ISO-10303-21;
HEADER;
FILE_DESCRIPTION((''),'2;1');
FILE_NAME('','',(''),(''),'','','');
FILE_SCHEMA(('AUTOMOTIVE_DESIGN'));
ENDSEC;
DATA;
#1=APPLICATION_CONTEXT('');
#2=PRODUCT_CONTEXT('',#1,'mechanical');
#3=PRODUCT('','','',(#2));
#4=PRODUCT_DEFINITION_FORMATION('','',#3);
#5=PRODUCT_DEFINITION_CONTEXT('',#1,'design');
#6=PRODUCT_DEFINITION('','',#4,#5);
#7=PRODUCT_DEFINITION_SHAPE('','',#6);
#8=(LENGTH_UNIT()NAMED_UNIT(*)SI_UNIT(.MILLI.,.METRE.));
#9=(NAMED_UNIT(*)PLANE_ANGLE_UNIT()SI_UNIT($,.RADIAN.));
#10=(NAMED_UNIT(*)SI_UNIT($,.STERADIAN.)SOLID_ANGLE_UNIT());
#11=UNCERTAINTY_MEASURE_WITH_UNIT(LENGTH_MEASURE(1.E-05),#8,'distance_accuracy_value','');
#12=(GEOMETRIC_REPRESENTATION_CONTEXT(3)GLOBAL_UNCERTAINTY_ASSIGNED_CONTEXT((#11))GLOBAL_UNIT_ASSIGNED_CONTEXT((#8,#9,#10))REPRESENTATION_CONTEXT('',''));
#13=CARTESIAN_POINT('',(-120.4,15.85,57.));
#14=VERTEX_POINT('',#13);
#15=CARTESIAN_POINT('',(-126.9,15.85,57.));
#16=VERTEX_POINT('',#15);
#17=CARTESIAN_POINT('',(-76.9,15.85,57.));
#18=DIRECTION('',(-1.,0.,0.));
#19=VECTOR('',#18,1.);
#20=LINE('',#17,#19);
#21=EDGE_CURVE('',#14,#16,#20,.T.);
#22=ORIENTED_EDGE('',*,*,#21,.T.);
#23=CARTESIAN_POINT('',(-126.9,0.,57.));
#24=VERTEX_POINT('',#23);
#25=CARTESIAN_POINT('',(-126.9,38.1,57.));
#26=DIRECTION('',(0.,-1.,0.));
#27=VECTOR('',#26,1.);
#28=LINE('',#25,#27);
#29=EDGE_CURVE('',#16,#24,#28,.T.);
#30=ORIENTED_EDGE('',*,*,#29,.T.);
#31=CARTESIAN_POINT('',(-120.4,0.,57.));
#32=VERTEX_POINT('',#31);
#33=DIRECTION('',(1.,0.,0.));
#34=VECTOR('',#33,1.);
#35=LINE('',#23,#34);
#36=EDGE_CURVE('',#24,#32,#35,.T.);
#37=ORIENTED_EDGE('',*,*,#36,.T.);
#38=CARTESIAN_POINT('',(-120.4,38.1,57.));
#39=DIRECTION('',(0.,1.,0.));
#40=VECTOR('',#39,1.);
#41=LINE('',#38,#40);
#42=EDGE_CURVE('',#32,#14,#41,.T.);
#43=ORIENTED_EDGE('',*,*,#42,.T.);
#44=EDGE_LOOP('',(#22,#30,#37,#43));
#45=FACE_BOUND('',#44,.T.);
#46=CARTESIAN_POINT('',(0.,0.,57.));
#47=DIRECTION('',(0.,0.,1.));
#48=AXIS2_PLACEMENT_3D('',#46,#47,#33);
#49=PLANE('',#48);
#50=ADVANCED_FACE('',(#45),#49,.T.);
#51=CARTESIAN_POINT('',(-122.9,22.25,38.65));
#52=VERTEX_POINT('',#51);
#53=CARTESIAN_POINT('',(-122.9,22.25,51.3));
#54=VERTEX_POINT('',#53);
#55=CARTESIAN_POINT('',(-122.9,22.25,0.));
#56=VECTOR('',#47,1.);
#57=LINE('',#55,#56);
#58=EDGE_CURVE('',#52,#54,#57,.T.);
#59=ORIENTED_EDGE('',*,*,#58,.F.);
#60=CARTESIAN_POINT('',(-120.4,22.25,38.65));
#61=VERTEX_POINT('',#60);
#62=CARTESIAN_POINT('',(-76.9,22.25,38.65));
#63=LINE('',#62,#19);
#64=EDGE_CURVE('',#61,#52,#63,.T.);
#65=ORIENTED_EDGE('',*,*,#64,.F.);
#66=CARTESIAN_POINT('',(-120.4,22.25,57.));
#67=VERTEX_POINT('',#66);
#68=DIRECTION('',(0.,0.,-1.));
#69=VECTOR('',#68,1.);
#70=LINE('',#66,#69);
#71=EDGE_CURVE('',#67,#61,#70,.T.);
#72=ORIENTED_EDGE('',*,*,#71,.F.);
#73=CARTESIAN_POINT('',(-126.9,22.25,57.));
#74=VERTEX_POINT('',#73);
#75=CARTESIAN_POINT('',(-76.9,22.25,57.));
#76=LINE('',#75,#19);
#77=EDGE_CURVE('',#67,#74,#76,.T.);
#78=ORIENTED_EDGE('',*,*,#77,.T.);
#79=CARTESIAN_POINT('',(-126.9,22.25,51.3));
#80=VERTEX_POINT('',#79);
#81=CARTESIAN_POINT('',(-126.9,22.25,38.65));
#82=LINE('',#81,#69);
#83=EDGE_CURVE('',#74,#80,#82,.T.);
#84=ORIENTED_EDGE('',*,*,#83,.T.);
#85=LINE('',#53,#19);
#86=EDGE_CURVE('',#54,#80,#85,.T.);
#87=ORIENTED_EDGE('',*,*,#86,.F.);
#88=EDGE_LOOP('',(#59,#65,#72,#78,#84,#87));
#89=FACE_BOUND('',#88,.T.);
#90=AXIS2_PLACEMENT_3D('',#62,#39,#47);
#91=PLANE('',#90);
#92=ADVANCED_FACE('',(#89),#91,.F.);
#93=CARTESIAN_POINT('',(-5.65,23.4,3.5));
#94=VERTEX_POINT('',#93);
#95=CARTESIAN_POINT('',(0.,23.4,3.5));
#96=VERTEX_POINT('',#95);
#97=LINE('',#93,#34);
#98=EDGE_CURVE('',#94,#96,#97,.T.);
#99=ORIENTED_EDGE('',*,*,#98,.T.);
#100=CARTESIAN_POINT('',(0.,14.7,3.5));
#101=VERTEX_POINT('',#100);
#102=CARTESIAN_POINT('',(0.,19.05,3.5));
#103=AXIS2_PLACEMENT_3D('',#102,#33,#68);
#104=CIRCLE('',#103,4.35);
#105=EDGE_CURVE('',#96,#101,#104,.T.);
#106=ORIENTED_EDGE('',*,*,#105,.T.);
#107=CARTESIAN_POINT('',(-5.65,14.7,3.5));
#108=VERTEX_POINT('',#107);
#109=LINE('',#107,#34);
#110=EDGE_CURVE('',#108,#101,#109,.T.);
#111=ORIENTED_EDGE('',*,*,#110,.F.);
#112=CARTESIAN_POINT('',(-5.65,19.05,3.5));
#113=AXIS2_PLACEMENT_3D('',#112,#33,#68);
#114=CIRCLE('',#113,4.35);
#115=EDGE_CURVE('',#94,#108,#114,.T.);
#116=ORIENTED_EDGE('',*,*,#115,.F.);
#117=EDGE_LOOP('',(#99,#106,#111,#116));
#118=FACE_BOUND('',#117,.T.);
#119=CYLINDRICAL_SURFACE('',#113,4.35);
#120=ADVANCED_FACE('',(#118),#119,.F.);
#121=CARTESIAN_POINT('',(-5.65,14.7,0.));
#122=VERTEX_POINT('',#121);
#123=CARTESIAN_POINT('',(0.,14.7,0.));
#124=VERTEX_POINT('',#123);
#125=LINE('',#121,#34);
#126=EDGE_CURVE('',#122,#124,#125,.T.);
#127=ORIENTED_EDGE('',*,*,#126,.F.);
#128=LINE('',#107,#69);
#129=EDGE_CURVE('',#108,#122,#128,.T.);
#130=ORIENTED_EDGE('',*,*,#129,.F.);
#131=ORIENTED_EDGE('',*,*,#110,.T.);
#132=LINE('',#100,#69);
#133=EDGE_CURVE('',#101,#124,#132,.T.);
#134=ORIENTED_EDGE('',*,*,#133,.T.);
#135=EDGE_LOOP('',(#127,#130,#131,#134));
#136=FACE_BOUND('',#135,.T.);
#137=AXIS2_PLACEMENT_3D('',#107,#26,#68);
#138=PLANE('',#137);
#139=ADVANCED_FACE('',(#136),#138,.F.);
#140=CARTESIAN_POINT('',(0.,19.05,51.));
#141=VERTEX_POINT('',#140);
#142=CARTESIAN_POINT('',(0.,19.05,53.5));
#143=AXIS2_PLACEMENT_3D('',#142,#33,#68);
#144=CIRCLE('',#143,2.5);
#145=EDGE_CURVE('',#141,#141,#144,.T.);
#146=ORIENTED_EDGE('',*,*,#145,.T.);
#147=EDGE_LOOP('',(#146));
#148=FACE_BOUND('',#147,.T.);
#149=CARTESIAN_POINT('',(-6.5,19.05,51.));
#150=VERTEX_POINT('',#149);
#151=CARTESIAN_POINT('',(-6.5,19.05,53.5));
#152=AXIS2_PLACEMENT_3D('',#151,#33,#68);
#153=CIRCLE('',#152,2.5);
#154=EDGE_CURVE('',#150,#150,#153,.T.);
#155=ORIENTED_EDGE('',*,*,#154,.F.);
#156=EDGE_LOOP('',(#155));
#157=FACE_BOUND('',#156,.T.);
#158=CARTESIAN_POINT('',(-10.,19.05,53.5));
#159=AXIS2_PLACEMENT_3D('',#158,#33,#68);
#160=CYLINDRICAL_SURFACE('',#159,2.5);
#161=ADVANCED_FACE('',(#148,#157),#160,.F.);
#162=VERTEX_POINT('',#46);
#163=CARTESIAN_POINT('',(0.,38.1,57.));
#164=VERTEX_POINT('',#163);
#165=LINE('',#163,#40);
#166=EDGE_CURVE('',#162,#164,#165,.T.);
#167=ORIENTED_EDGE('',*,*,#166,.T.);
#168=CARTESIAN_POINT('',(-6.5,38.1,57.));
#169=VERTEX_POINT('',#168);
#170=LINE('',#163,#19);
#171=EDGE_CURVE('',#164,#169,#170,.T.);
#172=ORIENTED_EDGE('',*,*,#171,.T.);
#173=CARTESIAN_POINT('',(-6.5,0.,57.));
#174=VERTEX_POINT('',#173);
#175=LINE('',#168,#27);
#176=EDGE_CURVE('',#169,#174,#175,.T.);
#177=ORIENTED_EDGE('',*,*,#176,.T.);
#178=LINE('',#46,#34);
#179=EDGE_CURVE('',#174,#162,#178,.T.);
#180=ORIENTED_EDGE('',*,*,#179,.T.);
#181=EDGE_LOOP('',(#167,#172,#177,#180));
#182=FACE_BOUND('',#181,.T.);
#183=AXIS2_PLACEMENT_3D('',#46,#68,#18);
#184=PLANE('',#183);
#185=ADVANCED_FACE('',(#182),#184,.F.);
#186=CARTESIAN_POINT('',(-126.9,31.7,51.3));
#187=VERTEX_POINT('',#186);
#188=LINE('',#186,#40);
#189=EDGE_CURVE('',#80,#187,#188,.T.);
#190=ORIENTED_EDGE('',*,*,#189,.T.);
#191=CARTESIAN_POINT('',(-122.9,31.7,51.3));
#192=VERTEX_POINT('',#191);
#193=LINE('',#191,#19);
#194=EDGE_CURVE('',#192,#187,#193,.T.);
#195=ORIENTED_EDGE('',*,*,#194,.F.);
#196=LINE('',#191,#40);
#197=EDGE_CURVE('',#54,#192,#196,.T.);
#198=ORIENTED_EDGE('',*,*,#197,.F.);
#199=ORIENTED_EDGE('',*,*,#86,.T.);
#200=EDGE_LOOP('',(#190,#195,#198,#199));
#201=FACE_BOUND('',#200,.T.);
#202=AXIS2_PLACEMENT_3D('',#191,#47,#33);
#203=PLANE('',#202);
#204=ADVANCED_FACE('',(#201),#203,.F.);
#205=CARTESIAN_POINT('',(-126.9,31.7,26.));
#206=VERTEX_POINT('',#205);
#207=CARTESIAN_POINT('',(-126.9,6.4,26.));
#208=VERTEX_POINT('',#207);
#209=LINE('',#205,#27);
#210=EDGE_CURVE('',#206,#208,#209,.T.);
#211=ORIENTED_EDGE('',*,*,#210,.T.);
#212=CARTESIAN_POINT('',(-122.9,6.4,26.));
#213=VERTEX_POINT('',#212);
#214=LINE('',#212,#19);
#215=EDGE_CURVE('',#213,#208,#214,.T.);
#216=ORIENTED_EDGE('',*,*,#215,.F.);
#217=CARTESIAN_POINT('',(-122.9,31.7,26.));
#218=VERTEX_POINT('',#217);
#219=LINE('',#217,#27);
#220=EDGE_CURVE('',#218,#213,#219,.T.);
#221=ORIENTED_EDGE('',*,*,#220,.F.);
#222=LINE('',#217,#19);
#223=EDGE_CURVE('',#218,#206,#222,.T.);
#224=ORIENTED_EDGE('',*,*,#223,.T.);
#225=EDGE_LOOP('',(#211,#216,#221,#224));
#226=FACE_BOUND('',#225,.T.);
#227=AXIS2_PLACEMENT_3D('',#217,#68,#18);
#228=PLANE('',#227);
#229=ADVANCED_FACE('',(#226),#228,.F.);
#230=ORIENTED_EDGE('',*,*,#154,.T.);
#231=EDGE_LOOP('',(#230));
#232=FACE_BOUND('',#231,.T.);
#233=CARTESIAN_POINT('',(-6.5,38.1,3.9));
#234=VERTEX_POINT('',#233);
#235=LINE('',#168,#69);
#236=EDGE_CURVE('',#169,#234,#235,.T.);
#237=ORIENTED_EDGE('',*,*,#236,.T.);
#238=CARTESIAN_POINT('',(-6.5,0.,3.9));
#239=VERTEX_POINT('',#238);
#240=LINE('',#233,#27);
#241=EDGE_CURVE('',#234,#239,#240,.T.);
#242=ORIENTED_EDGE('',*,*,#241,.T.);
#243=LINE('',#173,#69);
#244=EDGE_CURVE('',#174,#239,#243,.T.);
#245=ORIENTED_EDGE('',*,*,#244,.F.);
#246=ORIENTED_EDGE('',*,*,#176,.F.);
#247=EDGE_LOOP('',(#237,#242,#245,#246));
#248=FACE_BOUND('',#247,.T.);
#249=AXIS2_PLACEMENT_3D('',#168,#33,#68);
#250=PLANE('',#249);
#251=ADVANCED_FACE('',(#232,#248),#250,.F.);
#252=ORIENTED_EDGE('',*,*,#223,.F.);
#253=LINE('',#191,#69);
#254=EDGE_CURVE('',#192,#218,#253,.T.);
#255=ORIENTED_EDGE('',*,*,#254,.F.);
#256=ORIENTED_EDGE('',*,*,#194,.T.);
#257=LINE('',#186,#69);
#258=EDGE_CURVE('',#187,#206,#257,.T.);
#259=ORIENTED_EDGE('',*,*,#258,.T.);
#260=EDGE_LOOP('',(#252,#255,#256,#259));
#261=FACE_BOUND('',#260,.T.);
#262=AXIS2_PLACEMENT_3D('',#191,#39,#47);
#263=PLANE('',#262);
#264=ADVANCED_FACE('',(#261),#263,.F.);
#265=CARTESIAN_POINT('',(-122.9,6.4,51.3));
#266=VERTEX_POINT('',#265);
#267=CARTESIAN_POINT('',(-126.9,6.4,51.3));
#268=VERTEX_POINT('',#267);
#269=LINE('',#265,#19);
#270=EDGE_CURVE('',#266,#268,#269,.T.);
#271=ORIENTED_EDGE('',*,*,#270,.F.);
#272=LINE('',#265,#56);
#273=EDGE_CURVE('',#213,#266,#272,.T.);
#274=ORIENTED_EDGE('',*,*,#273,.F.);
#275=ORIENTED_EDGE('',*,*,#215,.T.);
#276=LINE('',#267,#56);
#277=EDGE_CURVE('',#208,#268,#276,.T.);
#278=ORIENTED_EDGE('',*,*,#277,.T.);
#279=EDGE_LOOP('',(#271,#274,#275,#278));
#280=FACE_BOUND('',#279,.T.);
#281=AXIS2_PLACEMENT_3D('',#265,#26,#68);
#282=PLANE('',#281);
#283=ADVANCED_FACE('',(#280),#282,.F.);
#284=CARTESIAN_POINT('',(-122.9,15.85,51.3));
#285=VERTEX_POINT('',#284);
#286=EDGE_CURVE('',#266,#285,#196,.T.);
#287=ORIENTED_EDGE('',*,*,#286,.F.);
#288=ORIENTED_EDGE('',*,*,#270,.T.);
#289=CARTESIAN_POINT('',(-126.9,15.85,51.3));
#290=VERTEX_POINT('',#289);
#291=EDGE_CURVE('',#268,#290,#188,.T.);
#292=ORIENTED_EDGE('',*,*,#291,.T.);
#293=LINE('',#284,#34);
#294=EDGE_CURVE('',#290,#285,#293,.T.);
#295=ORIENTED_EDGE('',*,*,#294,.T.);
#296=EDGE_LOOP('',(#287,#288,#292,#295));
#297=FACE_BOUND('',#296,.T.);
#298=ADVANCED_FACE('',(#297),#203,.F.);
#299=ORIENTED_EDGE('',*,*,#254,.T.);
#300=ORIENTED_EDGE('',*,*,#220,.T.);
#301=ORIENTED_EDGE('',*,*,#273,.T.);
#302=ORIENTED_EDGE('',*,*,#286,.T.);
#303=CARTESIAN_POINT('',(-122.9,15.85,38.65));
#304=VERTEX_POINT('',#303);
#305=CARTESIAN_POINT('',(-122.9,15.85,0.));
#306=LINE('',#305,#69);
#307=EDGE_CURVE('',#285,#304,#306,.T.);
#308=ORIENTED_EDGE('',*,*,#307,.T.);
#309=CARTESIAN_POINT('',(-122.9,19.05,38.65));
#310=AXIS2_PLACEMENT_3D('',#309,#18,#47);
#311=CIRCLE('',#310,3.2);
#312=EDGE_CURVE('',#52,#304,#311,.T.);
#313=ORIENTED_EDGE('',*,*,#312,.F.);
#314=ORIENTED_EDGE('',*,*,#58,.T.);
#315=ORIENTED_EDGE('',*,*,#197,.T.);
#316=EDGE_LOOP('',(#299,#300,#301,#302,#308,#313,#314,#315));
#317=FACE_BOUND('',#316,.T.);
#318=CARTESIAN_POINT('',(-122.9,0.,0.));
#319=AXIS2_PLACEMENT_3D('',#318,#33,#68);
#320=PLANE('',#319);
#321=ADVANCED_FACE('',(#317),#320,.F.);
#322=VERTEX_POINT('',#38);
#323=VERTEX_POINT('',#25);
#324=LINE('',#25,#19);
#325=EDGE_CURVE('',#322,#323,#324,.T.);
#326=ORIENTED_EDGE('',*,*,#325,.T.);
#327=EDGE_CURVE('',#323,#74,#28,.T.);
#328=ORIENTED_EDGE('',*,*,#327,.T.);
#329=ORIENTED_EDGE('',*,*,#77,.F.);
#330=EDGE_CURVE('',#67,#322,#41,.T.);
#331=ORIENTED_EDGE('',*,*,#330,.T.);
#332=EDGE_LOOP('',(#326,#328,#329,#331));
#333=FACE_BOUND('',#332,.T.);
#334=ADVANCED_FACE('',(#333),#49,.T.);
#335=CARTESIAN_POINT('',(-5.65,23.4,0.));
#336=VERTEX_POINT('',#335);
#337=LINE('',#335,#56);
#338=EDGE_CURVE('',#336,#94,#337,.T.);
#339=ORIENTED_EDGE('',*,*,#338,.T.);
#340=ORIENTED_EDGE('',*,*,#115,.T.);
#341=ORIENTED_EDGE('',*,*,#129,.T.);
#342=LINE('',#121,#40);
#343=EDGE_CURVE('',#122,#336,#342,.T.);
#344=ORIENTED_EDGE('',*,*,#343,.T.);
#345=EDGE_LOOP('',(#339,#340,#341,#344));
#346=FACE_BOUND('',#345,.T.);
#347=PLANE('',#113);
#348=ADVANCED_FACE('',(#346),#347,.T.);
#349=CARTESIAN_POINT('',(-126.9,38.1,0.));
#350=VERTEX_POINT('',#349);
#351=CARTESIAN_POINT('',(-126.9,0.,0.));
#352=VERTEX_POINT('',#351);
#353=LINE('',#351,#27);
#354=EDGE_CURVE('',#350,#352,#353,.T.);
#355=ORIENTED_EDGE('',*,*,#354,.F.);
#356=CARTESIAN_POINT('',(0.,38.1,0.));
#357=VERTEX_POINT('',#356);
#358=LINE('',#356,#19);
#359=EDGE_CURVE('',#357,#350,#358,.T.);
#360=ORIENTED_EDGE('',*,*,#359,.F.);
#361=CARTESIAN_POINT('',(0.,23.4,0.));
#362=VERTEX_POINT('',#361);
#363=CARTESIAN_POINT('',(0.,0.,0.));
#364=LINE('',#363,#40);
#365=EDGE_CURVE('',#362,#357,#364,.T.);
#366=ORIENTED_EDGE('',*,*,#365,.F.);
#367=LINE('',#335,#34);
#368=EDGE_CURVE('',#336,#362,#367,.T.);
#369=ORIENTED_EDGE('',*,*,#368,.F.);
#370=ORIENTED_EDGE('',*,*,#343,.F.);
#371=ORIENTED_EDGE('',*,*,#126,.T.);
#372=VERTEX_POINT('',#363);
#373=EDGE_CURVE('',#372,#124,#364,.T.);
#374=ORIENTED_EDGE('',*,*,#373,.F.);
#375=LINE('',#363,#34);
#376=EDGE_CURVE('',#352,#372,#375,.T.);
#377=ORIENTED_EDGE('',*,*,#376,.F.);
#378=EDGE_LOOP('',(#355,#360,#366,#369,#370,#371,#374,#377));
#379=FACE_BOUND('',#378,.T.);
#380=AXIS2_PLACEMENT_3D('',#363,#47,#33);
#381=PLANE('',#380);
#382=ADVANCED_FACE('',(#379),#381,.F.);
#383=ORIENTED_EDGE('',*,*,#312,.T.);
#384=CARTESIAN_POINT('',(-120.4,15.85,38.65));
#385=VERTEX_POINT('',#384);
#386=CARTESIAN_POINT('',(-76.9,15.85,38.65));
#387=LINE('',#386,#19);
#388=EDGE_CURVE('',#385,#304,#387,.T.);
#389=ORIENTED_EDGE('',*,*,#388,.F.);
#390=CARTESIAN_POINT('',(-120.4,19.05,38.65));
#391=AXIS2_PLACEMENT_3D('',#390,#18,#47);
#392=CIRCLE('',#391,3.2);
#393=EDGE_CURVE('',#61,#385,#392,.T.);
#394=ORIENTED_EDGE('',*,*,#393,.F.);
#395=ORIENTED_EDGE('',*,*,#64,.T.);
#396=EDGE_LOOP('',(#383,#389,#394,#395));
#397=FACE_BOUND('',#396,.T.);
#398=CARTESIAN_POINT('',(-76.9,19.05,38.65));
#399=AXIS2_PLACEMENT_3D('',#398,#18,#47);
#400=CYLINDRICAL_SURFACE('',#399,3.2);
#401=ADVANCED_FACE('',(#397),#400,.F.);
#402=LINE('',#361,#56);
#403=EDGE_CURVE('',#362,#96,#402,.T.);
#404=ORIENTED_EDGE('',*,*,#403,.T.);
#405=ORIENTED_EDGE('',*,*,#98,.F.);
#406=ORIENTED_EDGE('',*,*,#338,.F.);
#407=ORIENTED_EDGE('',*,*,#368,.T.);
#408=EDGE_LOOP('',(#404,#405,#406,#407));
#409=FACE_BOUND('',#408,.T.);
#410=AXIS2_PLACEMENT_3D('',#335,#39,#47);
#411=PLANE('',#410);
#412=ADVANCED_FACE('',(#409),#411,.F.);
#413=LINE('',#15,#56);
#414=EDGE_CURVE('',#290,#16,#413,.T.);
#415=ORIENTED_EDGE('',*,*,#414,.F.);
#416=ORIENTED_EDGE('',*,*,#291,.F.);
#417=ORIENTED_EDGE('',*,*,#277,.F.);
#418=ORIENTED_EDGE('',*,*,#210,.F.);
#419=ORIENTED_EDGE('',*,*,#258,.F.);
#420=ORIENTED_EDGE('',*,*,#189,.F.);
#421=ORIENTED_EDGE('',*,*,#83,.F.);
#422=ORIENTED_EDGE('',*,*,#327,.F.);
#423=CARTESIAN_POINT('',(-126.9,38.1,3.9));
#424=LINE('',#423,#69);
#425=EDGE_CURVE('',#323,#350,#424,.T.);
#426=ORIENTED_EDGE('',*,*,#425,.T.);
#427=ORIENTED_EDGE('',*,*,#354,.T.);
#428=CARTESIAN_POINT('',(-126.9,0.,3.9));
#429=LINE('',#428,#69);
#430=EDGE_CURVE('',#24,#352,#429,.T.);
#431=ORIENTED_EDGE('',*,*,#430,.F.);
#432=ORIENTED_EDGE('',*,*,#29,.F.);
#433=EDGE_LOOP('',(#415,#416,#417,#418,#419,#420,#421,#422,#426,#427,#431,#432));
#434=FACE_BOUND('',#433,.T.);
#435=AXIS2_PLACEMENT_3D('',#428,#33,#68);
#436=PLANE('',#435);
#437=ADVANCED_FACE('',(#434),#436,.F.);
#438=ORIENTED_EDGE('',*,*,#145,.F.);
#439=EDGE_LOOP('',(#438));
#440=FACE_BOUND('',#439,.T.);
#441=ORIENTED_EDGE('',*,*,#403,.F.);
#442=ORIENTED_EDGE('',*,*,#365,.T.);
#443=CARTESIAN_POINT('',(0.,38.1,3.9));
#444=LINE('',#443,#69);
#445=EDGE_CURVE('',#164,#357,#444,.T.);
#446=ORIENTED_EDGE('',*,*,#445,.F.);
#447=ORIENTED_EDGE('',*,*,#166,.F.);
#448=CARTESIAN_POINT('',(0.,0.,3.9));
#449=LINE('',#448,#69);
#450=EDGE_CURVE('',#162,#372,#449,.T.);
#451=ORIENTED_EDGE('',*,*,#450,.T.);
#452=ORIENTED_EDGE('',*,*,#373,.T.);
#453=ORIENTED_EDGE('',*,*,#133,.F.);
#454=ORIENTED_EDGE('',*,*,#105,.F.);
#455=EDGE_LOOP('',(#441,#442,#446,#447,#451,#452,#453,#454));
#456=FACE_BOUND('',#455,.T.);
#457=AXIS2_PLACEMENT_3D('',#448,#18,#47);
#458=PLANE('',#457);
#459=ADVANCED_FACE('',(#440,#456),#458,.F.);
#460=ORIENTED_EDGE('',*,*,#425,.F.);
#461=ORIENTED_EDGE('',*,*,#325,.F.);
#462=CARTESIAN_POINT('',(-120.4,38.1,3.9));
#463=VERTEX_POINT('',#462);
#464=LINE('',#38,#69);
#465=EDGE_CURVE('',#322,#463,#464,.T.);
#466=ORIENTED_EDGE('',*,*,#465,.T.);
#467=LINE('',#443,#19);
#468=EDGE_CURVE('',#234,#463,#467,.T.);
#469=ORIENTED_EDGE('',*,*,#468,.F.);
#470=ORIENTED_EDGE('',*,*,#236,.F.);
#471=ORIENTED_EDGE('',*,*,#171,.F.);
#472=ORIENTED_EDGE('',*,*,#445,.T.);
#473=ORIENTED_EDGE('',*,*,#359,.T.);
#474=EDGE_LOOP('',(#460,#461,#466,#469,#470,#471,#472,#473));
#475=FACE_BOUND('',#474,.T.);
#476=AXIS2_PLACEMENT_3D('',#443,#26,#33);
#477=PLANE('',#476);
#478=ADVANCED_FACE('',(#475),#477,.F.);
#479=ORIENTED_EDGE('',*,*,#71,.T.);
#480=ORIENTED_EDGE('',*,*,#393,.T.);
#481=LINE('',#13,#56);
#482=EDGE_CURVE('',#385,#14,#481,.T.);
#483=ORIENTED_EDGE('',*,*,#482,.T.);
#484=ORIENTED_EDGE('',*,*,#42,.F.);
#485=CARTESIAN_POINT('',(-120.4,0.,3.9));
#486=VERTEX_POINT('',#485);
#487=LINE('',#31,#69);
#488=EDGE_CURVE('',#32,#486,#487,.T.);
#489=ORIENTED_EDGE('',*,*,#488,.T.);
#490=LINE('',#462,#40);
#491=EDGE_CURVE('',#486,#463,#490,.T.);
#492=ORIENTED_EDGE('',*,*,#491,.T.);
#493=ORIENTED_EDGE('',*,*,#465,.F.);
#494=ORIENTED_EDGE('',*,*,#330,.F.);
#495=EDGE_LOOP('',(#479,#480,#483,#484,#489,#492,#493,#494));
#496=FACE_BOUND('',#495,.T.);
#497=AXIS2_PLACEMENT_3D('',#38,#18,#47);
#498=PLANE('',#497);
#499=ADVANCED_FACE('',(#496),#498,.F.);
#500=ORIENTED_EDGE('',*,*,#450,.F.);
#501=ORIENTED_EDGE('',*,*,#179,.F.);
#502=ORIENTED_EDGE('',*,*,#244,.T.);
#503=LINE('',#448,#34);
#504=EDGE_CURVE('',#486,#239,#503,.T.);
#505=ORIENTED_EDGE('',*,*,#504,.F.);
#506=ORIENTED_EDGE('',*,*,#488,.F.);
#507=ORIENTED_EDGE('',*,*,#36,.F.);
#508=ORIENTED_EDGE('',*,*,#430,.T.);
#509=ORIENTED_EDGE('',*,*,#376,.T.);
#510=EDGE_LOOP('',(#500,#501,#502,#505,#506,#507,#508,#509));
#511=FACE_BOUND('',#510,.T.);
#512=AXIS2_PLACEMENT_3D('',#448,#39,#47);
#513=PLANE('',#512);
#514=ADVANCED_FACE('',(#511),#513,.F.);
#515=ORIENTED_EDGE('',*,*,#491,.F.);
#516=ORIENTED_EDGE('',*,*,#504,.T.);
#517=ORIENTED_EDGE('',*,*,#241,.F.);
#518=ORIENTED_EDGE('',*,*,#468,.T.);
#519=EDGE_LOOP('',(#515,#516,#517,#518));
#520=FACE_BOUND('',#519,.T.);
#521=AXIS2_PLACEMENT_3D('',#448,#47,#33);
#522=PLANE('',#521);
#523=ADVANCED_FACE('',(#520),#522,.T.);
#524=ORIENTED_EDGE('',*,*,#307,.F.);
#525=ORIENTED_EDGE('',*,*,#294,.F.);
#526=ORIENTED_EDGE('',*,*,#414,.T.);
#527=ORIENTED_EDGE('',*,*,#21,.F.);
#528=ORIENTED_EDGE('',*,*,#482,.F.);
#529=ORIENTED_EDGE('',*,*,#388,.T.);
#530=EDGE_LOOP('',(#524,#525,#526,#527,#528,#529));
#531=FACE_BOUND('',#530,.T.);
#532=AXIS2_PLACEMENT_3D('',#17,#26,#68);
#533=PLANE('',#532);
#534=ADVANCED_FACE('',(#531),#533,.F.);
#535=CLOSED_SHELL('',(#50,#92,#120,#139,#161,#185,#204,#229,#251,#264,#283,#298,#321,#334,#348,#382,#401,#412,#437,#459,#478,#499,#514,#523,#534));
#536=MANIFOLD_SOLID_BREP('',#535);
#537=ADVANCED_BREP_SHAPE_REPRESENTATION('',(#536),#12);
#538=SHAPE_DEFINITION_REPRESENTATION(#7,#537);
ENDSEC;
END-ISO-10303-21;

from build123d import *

# Parameters (mm, degrees)
ESBO_O1_W                = 126.9
ESBO_O1_H                = 38.1
RESSALTO_EXTRUS_O2_DEPTH = 3.9
ESBO_O3_W                = 6.5
ESBO_O3_H                = 38.1
RESSALTO_EXTRUS_O3_DEPTH = 53.1
ESBO_O4_W                = 25.3
ESBO_O4_H                = 25.3
ESBO_O4_R                = 3.2
CORTE_EXTRUS_O1_DEPTH    = 4
CORTE_EXTRUS_O2_DEPTH    = 50
CORTE_EXTRUS_O3_DEPTH    = 5.65
ESBO_O9_R                = 2.5
CORTE_EXTRUS_O4_DEPTH    = 10


with BuildPart() as part:
    # Esboço1 → Ressalto-extrusão2 (new body)
    with BuildSketch(Plane.XY):
        with Locations((-63.45, 19.05)):
            Rectangle(ESBO_O1_W, ESBO_O1_H)
    extrude(amount=RESSALTO_EXTRUS_O2_DEPTH)

    # Esboço3 → Ressalto-extrusão3 (add)
    with BuildSketch(Plane.XY.offset(3.9)):
        with Locations((-123.65, 19.05)):
            Rectangle(ESBO_O3_W, ESBO_O3_H)
        with Locations((-3.25, 19.05)):
            Rectangle(ESBO_O3_W, ESBO_O3_H)
    extrude(amount=RESSALTO_EXTRUS_O3_DEPTH)

    # Esboço4 → Corte-extrusão1 (cut)
    with BuildSketch(Plane.ZY.offset(126.9)):
        with Locations((38.65, 19.05)):
            Rectangle(ESBO_O4_W, ESBO_O4_H)
        with Locations((38.65, 19.05)):
            Circle(ESBO_O4_R, mode=Mode.SUBTRACT)
    extrude(amount=-CORTE_EXTRUS_O1_DEPTH, mode=Mode.SUBTRACT)

    # Esboço6 → Corte-extrusão2 (cut)
    with BuildSketch(Plane.ZY.offset(126.9)):
        with BuildLine():
            Line((38.65, 22.25), (57, 22.25))
            Line((57, 22.25), (57, 15.85))
            Line((57, 15.85), (38.65, 15.85))
            ThreePointArc((38.65, 15.85), (35.45, 19.05), (38.65, 22.25))
        make_face()
    extrude(amount=-CORTE_EXTRUS_O2_DEPTH, mode=Mode.SUBTRACT)

    # Esboço7 → Corte-extrusão3 (cut)
    with BuildSketch(Plane(origin=(0, 0, 0), x_dir=(0, 0, -1), z_dir=(1, 0, 0))):
        with BuildLine():
            Line((-3.5, 14.7), (0, 14.7))
            Line((0, 14.7), (0, 23.4))
            Line((0, 23.4), (-3.5, 23.4))
            ThreePointArc((-3.5, 23.4), (-7.85, 19.05), (-3.5, 14.7))
        make_face()
    extrude(amount=-CORTE_EXTRUS_O3_DEPTH, mode=Mode.SUBTRACT)

    # Esboço9 → Corte-extrusão4 (cut)
    with BuildSketch(Plane(origin=(0, 0, 0), x_dir=(0, 0, -1), z_dir=(1, 0, 0))):
        with Locations((-53.5, 19.05)):
            Circle(ESBO_O9_R)
    extrude(amount=-CORTE_EXTRUS_O4_DEPTH, mode=Mode.SUBTRACT)


solid = part.part
